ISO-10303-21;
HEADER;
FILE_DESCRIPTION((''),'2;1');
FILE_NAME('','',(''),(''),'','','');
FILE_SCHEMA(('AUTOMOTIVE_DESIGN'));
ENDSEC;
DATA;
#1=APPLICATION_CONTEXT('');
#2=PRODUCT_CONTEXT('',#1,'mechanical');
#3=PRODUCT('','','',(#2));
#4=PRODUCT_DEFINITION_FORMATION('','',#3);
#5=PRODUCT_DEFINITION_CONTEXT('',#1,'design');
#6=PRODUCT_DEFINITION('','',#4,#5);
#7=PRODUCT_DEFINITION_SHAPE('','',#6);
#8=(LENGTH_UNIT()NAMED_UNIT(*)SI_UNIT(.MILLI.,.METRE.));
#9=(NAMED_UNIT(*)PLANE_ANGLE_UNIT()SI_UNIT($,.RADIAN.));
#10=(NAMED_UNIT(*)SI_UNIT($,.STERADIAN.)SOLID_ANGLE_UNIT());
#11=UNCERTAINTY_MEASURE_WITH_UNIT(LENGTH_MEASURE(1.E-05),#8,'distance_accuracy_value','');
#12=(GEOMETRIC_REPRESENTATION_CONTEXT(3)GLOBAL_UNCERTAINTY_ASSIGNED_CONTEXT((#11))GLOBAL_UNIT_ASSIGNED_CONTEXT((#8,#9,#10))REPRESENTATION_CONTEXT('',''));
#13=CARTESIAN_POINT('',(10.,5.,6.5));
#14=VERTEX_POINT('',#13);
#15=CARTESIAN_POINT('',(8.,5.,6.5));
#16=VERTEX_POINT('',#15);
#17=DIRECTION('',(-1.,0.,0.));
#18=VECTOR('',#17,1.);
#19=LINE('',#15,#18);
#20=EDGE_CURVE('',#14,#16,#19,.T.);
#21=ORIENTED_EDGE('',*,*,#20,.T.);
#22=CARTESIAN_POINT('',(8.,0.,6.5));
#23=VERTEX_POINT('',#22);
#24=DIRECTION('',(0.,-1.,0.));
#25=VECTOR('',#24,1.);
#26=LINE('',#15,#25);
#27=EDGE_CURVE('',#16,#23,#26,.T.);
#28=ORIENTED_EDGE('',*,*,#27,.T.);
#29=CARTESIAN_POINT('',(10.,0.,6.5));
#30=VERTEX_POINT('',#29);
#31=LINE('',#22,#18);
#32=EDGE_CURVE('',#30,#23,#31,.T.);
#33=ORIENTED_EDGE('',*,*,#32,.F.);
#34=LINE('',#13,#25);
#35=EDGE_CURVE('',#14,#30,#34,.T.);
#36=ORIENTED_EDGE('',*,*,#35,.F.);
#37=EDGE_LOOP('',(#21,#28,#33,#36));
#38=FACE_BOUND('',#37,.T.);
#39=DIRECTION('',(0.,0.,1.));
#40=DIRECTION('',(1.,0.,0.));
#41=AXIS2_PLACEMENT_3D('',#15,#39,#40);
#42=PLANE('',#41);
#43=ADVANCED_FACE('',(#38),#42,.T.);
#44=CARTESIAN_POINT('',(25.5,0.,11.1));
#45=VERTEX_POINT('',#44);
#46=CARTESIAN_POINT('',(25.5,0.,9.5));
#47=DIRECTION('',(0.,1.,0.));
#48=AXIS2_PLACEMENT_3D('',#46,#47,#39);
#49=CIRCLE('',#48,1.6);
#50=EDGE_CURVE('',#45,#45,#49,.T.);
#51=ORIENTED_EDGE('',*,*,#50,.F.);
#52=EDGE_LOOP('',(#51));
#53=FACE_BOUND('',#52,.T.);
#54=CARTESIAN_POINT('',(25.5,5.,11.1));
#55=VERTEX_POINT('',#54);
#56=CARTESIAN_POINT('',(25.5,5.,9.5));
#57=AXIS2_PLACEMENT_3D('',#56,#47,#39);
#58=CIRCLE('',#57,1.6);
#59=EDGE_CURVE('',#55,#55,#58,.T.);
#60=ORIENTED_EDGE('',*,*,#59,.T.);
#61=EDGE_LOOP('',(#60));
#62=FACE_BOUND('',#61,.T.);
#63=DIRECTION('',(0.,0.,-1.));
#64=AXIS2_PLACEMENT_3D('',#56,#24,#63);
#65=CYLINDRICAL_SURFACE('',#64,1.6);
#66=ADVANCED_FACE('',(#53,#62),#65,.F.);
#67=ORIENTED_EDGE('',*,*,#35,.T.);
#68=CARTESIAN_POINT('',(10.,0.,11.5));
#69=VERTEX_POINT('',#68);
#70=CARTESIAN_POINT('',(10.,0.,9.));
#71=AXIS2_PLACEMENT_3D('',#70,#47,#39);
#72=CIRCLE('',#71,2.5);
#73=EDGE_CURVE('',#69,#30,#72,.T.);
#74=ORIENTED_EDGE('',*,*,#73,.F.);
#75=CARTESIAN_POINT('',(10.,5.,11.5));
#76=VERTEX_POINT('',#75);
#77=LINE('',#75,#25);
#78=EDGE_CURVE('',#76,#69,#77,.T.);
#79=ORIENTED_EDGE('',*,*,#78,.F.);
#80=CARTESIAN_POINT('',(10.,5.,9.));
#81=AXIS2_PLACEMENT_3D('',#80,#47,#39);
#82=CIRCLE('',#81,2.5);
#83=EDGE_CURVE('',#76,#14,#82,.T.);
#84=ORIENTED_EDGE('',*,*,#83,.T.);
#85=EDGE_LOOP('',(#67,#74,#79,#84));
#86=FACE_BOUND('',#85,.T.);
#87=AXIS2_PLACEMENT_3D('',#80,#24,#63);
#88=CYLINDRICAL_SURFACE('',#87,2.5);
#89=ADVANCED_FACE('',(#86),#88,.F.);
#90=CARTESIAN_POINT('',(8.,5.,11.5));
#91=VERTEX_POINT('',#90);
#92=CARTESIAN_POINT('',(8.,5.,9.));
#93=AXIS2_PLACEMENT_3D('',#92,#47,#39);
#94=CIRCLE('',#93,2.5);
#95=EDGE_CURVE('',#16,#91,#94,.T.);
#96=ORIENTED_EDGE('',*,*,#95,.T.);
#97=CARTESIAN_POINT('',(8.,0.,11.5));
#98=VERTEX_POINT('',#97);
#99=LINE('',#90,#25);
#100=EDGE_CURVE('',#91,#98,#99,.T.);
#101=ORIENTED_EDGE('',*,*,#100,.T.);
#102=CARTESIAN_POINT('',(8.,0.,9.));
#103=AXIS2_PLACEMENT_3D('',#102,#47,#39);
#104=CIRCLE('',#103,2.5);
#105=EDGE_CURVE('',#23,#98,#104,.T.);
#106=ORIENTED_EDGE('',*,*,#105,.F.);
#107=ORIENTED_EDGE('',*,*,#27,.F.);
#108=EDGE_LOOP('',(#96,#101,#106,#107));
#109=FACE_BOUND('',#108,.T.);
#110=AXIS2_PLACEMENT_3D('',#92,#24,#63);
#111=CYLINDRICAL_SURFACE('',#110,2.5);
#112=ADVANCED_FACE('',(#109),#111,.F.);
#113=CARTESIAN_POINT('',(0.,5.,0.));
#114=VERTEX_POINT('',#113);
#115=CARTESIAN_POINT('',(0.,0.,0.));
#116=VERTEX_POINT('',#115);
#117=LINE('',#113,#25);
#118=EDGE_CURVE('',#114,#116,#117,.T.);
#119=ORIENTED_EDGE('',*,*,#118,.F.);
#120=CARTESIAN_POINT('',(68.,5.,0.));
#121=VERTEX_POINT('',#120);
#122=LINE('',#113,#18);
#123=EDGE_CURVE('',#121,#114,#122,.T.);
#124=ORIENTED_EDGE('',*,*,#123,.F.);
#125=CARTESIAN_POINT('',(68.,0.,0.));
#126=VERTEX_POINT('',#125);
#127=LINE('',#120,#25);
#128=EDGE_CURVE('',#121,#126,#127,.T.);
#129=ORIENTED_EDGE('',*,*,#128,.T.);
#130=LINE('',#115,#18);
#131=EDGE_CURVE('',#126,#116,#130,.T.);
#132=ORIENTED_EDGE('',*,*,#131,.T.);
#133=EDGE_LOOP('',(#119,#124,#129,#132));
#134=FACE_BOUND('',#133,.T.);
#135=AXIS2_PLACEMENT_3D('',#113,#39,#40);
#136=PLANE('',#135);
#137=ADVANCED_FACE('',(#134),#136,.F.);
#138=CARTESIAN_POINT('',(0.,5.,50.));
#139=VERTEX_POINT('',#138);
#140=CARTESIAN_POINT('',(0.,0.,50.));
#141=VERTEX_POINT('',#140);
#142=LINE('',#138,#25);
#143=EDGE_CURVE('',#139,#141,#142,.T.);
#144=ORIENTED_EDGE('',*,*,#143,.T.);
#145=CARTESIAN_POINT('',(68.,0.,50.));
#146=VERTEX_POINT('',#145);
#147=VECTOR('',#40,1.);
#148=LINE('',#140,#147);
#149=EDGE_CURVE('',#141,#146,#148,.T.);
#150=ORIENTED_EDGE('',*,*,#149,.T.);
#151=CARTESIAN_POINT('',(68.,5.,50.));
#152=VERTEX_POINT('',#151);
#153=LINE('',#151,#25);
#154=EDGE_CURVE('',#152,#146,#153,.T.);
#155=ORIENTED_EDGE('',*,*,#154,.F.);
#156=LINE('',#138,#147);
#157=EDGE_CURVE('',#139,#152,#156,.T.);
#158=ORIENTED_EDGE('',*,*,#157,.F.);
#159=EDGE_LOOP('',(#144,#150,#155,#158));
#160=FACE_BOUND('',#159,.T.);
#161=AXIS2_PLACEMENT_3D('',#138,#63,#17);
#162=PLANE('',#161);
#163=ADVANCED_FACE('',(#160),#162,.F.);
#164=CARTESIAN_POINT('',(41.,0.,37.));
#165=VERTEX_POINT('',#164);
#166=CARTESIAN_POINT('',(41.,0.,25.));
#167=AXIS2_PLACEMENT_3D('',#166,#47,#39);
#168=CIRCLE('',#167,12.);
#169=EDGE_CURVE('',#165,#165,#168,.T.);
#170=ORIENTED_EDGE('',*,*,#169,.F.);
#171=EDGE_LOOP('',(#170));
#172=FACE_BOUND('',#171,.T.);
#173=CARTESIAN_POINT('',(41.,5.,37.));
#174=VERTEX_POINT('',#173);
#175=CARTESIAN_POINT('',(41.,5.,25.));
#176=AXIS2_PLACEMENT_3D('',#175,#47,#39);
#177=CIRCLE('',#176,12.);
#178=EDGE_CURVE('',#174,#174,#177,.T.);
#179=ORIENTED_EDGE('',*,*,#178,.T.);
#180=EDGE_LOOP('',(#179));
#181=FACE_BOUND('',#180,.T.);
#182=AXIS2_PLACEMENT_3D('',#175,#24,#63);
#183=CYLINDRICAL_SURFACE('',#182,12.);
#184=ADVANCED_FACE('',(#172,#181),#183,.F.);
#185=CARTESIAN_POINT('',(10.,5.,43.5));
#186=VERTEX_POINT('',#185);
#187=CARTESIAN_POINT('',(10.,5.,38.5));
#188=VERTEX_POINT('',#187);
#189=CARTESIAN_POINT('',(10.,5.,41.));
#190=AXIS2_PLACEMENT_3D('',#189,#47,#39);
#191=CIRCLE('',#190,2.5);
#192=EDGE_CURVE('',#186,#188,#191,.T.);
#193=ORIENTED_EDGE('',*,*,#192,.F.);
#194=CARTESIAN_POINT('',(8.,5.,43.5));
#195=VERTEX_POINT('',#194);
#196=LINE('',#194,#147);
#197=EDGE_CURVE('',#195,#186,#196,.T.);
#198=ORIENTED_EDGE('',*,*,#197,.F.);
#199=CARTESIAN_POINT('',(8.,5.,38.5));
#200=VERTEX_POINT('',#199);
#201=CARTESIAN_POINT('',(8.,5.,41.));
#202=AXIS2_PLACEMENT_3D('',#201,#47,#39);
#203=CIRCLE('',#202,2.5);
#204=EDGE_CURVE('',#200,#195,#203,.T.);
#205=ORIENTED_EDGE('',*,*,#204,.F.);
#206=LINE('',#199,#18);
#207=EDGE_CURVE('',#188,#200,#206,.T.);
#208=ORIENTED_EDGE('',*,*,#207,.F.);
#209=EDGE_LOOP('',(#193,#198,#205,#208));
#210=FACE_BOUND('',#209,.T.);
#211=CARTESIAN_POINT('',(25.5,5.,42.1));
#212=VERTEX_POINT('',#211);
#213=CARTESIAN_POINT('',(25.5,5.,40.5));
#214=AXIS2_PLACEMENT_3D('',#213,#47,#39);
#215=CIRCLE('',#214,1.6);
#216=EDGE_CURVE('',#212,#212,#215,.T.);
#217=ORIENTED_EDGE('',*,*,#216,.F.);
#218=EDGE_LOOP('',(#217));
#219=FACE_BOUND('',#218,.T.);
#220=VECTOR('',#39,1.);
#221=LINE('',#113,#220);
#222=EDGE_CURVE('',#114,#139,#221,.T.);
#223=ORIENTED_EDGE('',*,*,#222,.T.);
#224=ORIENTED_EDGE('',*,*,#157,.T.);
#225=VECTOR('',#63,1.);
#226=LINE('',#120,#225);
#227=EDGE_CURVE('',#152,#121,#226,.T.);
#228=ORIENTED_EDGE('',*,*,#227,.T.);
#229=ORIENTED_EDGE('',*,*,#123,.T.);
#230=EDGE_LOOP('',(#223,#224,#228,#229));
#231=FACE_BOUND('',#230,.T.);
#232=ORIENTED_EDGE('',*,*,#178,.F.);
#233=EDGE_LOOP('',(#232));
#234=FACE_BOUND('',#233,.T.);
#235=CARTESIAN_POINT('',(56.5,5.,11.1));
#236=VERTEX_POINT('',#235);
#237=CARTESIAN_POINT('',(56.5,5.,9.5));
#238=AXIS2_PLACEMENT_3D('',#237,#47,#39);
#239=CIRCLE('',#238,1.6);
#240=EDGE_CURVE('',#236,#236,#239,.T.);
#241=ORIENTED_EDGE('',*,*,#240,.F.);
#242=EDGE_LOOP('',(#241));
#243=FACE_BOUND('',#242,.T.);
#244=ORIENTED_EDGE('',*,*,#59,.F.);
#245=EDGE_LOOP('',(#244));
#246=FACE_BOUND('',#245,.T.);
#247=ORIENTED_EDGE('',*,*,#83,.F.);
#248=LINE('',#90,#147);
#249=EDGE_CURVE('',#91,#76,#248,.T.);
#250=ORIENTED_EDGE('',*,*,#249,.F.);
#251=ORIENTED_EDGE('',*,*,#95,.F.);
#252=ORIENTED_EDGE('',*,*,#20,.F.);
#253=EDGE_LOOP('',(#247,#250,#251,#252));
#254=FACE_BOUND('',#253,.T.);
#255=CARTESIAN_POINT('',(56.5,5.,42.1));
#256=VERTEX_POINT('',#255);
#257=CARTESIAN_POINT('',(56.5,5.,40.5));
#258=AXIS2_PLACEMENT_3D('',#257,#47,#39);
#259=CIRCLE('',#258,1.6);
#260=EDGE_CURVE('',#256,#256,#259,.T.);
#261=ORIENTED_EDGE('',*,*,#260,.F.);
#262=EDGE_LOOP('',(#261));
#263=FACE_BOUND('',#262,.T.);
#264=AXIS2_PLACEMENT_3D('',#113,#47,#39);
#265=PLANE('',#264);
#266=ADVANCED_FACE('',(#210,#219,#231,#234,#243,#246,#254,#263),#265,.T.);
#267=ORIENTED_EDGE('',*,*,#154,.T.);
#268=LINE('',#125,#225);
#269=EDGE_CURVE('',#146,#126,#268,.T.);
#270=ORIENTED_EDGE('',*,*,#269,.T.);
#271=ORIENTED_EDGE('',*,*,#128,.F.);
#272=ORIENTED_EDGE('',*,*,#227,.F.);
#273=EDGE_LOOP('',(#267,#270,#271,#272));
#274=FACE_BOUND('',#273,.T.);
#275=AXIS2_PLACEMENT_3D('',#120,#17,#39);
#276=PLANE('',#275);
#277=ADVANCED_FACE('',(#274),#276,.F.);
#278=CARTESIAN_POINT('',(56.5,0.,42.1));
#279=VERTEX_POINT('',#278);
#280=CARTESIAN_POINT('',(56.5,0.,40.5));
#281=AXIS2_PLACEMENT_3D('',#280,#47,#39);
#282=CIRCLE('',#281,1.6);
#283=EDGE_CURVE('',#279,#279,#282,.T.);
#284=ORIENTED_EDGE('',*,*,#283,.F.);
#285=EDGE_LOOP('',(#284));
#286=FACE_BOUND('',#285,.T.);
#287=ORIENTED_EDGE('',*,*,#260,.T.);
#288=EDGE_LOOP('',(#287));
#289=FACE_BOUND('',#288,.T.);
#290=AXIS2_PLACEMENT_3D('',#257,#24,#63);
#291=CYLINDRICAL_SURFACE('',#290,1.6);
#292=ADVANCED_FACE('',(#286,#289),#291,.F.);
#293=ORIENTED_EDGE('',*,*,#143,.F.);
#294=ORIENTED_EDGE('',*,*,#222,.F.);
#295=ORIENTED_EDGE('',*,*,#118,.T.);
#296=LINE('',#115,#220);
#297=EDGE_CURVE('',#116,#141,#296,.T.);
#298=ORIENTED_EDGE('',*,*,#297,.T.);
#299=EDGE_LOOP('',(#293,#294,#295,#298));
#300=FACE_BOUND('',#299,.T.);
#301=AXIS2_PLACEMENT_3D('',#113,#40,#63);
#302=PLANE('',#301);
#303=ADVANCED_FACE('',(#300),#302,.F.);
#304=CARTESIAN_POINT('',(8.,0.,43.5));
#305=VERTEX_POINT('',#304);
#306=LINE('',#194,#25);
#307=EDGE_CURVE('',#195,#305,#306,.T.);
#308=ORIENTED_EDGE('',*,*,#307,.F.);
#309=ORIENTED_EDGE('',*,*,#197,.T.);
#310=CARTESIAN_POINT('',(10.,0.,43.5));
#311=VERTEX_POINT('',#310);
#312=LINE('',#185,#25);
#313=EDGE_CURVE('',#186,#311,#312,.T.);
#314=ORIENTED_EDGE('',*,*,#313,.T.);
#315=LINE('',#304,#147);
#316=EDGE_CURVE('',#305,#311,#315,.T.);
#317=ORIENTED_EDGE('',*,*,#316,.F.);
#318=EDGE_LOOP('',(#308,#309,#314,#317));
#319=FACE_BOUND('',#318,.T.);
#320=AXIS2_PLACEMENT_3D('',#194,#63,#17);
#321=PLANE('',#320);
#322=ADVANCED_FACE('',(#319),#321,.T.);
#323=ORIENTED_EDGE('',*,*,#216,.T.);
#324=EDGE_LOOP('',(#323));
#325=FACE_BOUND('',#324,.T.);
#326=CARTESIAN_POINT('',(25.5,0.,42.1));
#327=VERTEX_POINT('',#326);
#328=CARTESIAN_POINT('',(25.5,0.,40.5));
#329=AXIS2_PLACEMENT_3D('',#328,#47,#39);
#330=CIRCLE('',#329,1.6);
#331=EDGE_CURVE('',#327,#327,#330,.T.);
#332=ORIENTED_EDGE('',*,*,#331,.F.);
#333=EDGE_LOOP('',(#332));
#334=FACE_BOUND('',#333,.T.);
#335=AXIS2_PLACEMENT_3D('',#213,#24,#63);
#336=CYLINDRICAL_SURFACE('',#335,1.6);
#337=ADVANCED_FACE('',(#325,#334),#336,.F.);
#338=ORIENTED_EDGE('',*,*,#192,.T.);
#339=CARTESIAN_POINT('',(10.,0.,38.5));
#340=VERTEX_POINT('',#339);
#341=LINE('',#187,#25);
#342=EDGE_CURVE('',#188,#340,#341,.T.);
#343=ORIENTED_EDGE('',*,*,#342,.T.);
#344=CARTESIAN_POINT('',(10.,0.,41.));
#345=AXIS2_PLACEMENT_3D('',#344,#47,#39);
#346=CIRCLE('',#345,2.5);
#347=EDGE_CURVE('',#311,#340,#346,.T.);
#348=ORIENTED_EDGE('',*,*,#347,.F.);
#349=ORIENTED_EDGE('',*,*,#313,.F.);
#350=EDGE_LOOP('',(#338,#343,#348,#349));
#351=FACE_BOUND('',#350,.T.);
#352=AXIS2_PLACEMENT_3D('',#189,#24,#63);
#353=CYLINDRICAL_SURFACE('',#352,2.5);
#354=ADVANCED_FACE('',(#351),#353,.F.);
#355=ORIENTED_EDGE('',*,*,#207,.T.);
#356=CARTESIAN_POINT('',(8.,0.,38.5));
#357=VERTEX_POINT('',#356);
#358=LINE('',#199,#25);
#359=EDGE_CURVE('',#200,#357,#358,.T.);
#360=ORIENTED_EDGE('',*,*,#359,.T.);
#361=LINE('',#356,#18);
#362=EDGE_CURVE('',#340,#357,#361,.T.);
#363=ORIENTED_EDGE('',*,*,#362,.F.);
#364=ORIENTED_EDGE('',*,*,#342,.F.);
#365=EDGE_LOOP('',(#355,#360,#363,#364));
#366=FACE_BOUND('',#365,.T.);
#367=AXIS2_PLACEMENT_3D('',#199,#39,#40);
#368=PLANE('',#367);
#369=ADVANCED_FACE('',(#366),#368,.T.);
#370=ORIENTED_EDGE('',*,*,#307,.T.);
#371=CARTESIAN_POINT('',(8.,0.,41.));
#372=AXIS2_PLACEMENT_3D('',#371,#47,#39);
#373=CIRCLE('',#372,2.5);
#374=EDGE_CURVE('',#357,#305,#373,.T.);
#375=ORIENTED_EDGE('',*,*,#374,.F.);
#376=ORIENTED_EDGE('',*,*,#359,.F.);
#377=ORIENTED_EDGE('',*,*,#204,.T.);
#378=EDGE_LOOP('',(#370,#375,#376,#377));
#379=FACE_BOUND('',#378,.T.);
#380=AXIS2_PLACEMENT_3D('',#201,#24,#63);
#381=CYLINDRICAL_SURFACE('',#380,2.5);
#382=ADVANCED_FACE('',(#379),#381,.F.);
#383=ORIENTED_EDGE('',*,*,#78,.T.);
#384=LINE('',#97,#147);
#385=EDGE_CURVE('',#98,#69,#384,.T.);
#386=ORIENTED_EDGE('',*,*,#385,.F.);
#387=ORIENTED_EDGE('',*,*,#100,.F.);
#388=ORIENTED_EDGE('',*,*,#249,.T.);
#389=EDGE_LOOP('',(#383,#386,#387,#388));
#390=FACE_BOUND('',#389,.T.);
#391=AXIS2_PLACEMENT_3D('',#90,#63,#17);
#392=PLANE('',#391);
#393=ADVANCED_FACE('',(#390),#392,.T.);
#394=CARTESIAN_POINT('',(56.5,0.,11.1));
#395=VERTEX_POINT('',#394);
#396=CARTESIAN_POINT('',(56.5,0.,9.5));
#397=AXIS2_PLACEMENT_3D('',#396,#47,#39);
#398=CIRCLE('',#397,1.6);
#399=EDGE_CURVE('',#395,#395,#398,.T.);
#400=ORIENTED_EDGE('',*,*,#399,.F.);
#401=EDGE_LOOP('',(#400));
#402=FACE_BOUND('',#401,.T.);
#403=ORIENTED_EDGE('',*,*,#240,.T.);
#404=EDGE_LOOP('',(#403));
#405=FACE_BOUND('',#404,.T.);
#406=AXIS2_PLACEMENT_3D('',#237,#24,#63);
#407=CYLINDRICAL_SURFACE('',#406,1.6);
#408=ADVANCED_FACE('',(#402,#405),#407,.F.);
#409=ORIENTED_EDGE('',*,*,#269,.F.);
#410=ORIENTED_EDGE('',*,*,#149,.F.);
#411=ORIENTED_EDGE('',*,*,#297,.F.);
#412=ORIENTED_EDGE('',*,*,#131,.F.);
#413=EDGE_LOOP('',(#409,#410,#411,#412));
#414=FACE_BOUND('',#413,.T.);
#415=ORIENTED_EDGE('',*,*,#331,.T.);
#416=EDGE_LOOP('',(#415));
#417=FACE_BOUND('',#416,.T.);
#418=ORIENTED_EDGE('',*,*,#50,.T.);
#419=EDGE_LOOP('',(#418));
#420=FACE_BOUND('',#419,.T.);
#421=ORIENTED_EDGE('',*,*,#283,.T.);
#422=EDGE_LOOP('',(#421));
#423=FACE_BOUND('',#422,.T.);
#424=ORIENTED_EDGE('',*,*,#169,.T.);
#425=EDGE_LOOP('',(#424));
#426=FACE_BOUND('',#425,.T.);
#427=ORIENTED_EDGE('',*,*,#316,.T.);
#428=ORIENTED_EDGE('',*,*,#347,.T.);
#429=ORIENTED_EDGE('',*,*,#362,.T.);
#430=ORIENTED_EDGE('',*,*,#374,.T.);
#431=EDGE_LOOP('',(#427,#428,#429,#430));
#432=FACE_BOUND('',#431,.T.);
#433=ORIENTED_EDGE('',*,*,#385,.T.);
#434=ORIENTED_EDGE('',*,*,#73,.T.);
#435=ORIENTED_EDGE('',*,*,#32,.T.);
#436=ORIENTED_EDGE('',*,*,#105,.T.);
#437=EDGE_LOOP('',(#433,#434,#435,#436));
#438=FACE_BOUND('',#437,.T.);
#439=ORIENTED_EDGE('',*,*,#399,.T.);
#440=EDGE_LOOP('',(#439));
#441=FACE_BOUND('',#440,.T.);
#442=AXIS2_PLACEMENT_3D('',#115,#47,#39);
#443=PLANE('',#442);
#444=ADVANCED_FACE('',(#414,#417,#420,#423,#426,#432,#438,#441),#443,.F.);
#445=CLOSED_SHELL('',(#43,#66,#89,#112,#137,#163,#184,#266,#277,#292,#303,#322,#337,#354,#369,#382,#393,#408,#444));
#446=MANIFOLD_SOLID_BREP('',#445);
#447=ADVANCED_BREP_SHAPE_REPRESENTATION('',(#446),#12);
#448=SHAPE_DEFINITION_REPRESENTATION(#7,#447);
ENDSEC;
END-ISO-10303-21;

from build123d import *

# Parameters (mm, degrees)
SKETCH_1_W      = 68
SKETCH_1_H      = 50
SKETCH_1_R      = 12
SKETCH_1_R_2    = 1.6
EXTRUDE_1_DEPTH = 5


with BuildPart() as part:
    # 草图1 → 凸台-拉伸1 (new body)
    with BuildSketch(Plane(origin=(0, 0, 0), x_dir=(1, 0, 0), z_dir=(0, 1, 0))):
        with Locations((34, -25)):
            Rectangle(SKETCH_1_W, SKETCH_1_H)
        with Locations(Location((41, -25, 0), (0, 0, 270))):
            Circle(SKETCH_1_R, mode=Mode.SUBTRACT)
        with Locations(Location((25.5, -9.5, 0), (0, 0, 270))):
            Circle(SKETCH_1_R_2, mode=Mode.SUBTRACT)
        with Locations(Location((56.5, -9.5, 0), (0, 0, 270))):
            Circle(SKETCH_1_R_2, mode=Mode.SUBTRACT)
        with Locations(Location((56.5, -40.5, 0), (0, 0, 270))):
            Circle(SKETCH_1_R_2, mode=Mode.SUBTRACT)
        with Locations(Location((25.5, -40.5, 0), (0, 0, 270))):
            Circle(SKETCH_1_R_2, mode=Mode.SUBTRACT)
        with BuildLine():
            Line((8, -6.5), (10, -6.5))
            ThreePointArc((10, -6.5), (12.5, -9), (10, -11.5))
            Line((10, -11.5), (8, -11.5))
            ThreePointArc((8, -11.5), (5.5, -9), (8, -6.5))
        make_face(mode=Mode.SUBTRACT)
        with BuildLine():
            Line((8, -38.5), (10, -38.5))
            ThreePointArc((10, -38.5), (12.5, -41), (10, -43.5))
            Line((10, -43.5), (8, -43.5))
            ThreePointArc((8, -43.5), (5.5, -41), (8, -38.5))
        make_face(mode=Mode.SUBTRACT)
    extrude(amount=EXTRUDE_1_DEPTH)


solid = part.part
